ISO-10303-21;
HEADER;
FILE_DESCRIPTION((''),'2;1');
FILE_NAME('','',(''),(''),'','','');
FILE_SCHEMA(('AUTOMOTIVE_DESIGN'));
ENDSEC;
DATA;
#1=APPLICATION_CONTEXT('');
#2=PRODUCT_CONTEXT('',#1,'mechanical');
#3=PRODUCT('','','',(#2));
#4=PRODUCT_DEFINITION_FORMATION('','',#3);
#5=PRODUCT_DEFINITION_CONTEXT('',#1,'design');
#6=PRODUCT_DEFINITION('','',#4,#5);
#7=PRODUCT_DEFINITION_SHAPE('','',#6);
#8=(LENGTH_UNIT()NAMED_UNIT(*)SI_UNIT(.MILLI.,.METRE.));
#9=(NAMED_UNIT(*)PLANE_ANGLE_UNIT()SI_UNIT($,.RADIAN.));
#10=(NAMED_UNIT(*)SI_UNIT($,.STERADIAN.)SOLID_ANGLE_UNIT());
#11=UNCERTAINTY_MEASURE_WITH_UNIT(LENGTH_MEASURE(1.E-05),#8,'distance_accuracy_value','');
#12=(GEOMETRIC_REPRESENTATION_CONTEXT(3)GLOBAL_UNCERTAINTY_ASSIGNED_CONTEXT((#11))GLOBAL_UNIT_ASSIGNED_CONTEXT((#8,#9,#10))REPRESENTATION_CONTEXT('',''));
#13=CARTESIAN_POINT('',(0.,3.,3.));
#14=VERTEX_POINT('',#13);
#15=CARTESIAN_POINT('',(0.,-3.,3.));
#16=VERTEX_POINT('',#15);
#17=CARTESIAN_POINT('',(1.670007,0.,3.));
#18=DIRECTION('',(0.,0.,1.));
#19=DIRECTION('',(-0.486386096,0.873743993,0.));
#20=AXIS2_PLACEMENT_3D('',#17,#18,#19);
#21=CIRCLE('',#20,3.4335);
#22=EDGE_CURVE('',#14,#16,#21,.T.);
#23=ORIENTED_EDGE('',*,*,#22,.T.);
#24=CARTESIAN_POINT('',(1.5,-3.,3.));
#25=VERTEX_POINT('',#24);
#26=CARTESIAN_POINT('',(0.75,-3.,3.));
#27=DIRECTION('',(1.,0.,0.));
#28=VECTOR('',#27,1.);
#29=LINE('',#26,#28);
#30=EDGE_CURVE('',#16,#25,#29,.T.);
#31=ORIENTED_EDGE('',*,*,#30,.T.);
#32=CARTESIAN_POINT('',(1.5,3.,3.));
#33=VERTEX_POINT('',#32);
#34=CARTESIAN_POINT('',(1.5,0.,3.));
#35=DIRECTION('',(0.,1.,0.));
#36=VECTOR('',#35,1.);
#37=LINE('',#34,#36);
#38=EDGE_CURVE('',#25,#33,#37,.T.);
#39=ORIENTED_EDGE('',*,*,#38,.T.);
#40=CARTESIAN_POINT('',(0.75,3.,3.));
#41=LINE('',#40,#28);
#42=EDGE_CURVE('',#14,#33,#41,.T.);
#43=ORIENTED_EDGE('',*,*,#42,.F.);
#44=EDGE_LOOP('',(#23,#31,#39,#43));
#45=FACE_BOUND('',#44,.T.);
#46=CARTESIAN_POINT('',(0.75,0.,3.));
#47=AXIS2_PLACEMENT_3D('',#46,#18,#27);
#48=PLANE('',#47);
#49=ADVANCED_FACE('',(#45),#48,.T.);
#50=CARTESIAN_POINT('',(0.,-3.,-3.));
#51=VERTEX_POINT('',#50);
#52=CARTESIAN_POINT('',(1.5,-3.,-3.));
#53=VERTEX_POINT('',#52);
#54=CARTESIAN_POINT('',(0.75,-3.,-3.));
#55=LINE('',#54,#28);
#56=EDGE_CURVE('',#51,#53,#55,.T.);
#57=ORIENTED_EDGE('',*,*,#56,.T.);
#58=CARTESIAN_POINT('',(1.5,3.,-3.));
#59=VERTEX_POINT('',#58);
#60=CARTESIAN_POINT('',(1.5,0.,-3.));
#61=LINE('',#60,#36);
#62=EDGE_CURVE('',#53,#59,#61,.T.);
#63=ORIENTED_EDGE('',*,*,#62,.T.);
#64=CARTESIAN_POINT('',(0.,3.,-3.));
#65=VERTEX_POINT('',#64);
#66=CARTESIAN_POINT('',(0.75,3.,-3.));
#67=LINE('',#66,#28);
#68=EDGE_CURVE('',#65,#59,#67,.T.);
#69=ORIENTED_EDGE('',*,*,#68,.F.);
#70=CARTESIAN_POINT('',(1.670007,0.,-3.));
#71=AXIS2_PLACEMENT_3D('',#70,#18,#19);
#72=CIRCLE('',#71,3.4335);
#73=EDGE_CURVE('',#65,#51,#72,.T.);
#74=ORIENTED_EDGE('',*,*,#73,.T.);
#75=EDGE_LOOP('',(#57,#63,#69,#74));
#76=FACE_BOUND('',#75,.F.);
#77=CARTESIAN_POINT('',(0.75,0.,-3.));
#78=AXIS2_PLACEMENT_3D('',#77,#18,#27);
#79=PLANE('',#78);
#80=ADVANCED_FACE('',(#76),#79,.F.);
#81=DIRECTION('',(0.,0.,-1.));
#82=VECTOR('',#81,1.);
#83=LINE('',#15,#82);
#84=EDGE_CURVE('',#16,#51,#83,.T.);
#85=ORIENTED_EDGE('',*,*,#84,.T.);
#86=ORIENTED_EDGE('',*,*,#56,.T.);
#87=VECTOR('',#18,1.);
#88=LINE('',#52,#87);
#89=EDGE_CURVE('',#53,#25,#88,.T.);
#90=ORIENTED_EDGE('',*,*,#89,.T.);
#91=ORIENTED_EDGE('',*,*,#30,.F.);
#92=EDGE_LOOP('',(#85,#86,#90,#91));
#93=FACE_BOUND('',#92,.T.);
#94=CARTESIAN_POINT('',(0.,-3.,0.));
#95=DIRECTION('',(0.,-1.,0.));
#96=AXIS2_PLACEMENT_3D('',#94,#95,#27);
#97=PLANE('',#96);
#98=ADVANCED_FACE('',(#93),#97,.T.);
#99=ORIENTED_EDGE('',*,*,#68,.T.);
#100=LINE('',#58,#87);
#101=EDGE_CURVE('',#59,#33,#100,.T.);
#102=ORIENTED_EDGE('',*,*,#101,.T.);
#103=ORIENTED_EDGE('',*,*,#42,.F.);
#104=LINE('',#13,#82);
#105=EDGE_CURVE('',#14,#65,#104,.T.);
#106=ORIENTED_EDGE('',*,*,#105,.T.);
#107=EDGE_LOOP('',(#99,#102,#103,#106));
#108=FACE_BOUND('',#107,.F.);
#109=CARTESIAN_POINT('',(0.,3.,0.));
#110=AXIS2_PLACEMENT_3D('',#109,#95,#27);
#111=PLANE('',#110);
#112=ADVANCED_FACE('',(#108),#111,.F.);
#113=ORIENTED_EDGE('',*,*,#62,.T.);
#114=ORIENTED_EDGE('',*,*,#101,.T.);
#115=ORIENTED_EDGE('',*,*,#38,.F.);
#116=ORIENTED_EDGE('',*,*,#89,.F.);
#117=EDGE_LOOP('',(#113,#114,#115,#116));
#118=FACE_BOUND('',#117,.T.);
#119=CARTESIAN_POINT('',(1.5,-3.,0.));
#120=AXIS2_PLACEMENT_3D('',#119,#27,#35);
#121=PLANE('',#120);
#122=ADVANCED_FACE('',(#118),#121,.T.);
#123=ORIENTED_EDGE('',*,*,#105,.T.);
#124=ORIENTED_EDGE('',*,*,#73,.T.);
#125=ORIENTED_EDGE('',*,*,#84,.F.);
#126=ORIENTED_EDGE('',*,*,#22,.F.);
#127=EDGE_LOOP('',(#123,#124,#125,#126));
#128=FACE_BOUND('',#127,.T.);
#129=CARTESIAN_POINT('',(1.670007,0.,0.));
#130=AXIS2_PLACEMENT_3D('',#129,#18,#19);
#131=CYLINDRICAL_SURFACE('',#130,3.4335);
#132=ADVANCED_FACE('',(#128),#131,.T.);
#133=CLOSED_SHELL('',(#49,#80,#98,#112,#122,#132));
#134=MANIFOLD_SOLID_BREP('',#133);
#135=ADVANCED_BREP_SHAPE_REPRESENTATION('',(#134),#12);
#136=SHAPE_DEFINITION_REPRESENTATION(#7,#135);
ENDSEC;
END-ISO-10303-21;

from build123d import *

# Parameters (mm, degrees)
F1_W     = 1.5
F1_H     = 6
F2_DEPTH = 3


with BuildPart() as f2:
    # F1 (on Top) → F2 (new body, symmetric)
    with BuildSketch(Plane.XY):
        with Locations((0.75, 0)):
            Rectangle(F1_W, F1_H)
        with BuildLine():
            Line((0, -3), (0, 3))
            ThreePointArc((0, 3), (-1.7634933383, 0), (0, -3))
        make_face()
    extrude(amount=F2_DEPTH, both=True)


solid = f2.part
